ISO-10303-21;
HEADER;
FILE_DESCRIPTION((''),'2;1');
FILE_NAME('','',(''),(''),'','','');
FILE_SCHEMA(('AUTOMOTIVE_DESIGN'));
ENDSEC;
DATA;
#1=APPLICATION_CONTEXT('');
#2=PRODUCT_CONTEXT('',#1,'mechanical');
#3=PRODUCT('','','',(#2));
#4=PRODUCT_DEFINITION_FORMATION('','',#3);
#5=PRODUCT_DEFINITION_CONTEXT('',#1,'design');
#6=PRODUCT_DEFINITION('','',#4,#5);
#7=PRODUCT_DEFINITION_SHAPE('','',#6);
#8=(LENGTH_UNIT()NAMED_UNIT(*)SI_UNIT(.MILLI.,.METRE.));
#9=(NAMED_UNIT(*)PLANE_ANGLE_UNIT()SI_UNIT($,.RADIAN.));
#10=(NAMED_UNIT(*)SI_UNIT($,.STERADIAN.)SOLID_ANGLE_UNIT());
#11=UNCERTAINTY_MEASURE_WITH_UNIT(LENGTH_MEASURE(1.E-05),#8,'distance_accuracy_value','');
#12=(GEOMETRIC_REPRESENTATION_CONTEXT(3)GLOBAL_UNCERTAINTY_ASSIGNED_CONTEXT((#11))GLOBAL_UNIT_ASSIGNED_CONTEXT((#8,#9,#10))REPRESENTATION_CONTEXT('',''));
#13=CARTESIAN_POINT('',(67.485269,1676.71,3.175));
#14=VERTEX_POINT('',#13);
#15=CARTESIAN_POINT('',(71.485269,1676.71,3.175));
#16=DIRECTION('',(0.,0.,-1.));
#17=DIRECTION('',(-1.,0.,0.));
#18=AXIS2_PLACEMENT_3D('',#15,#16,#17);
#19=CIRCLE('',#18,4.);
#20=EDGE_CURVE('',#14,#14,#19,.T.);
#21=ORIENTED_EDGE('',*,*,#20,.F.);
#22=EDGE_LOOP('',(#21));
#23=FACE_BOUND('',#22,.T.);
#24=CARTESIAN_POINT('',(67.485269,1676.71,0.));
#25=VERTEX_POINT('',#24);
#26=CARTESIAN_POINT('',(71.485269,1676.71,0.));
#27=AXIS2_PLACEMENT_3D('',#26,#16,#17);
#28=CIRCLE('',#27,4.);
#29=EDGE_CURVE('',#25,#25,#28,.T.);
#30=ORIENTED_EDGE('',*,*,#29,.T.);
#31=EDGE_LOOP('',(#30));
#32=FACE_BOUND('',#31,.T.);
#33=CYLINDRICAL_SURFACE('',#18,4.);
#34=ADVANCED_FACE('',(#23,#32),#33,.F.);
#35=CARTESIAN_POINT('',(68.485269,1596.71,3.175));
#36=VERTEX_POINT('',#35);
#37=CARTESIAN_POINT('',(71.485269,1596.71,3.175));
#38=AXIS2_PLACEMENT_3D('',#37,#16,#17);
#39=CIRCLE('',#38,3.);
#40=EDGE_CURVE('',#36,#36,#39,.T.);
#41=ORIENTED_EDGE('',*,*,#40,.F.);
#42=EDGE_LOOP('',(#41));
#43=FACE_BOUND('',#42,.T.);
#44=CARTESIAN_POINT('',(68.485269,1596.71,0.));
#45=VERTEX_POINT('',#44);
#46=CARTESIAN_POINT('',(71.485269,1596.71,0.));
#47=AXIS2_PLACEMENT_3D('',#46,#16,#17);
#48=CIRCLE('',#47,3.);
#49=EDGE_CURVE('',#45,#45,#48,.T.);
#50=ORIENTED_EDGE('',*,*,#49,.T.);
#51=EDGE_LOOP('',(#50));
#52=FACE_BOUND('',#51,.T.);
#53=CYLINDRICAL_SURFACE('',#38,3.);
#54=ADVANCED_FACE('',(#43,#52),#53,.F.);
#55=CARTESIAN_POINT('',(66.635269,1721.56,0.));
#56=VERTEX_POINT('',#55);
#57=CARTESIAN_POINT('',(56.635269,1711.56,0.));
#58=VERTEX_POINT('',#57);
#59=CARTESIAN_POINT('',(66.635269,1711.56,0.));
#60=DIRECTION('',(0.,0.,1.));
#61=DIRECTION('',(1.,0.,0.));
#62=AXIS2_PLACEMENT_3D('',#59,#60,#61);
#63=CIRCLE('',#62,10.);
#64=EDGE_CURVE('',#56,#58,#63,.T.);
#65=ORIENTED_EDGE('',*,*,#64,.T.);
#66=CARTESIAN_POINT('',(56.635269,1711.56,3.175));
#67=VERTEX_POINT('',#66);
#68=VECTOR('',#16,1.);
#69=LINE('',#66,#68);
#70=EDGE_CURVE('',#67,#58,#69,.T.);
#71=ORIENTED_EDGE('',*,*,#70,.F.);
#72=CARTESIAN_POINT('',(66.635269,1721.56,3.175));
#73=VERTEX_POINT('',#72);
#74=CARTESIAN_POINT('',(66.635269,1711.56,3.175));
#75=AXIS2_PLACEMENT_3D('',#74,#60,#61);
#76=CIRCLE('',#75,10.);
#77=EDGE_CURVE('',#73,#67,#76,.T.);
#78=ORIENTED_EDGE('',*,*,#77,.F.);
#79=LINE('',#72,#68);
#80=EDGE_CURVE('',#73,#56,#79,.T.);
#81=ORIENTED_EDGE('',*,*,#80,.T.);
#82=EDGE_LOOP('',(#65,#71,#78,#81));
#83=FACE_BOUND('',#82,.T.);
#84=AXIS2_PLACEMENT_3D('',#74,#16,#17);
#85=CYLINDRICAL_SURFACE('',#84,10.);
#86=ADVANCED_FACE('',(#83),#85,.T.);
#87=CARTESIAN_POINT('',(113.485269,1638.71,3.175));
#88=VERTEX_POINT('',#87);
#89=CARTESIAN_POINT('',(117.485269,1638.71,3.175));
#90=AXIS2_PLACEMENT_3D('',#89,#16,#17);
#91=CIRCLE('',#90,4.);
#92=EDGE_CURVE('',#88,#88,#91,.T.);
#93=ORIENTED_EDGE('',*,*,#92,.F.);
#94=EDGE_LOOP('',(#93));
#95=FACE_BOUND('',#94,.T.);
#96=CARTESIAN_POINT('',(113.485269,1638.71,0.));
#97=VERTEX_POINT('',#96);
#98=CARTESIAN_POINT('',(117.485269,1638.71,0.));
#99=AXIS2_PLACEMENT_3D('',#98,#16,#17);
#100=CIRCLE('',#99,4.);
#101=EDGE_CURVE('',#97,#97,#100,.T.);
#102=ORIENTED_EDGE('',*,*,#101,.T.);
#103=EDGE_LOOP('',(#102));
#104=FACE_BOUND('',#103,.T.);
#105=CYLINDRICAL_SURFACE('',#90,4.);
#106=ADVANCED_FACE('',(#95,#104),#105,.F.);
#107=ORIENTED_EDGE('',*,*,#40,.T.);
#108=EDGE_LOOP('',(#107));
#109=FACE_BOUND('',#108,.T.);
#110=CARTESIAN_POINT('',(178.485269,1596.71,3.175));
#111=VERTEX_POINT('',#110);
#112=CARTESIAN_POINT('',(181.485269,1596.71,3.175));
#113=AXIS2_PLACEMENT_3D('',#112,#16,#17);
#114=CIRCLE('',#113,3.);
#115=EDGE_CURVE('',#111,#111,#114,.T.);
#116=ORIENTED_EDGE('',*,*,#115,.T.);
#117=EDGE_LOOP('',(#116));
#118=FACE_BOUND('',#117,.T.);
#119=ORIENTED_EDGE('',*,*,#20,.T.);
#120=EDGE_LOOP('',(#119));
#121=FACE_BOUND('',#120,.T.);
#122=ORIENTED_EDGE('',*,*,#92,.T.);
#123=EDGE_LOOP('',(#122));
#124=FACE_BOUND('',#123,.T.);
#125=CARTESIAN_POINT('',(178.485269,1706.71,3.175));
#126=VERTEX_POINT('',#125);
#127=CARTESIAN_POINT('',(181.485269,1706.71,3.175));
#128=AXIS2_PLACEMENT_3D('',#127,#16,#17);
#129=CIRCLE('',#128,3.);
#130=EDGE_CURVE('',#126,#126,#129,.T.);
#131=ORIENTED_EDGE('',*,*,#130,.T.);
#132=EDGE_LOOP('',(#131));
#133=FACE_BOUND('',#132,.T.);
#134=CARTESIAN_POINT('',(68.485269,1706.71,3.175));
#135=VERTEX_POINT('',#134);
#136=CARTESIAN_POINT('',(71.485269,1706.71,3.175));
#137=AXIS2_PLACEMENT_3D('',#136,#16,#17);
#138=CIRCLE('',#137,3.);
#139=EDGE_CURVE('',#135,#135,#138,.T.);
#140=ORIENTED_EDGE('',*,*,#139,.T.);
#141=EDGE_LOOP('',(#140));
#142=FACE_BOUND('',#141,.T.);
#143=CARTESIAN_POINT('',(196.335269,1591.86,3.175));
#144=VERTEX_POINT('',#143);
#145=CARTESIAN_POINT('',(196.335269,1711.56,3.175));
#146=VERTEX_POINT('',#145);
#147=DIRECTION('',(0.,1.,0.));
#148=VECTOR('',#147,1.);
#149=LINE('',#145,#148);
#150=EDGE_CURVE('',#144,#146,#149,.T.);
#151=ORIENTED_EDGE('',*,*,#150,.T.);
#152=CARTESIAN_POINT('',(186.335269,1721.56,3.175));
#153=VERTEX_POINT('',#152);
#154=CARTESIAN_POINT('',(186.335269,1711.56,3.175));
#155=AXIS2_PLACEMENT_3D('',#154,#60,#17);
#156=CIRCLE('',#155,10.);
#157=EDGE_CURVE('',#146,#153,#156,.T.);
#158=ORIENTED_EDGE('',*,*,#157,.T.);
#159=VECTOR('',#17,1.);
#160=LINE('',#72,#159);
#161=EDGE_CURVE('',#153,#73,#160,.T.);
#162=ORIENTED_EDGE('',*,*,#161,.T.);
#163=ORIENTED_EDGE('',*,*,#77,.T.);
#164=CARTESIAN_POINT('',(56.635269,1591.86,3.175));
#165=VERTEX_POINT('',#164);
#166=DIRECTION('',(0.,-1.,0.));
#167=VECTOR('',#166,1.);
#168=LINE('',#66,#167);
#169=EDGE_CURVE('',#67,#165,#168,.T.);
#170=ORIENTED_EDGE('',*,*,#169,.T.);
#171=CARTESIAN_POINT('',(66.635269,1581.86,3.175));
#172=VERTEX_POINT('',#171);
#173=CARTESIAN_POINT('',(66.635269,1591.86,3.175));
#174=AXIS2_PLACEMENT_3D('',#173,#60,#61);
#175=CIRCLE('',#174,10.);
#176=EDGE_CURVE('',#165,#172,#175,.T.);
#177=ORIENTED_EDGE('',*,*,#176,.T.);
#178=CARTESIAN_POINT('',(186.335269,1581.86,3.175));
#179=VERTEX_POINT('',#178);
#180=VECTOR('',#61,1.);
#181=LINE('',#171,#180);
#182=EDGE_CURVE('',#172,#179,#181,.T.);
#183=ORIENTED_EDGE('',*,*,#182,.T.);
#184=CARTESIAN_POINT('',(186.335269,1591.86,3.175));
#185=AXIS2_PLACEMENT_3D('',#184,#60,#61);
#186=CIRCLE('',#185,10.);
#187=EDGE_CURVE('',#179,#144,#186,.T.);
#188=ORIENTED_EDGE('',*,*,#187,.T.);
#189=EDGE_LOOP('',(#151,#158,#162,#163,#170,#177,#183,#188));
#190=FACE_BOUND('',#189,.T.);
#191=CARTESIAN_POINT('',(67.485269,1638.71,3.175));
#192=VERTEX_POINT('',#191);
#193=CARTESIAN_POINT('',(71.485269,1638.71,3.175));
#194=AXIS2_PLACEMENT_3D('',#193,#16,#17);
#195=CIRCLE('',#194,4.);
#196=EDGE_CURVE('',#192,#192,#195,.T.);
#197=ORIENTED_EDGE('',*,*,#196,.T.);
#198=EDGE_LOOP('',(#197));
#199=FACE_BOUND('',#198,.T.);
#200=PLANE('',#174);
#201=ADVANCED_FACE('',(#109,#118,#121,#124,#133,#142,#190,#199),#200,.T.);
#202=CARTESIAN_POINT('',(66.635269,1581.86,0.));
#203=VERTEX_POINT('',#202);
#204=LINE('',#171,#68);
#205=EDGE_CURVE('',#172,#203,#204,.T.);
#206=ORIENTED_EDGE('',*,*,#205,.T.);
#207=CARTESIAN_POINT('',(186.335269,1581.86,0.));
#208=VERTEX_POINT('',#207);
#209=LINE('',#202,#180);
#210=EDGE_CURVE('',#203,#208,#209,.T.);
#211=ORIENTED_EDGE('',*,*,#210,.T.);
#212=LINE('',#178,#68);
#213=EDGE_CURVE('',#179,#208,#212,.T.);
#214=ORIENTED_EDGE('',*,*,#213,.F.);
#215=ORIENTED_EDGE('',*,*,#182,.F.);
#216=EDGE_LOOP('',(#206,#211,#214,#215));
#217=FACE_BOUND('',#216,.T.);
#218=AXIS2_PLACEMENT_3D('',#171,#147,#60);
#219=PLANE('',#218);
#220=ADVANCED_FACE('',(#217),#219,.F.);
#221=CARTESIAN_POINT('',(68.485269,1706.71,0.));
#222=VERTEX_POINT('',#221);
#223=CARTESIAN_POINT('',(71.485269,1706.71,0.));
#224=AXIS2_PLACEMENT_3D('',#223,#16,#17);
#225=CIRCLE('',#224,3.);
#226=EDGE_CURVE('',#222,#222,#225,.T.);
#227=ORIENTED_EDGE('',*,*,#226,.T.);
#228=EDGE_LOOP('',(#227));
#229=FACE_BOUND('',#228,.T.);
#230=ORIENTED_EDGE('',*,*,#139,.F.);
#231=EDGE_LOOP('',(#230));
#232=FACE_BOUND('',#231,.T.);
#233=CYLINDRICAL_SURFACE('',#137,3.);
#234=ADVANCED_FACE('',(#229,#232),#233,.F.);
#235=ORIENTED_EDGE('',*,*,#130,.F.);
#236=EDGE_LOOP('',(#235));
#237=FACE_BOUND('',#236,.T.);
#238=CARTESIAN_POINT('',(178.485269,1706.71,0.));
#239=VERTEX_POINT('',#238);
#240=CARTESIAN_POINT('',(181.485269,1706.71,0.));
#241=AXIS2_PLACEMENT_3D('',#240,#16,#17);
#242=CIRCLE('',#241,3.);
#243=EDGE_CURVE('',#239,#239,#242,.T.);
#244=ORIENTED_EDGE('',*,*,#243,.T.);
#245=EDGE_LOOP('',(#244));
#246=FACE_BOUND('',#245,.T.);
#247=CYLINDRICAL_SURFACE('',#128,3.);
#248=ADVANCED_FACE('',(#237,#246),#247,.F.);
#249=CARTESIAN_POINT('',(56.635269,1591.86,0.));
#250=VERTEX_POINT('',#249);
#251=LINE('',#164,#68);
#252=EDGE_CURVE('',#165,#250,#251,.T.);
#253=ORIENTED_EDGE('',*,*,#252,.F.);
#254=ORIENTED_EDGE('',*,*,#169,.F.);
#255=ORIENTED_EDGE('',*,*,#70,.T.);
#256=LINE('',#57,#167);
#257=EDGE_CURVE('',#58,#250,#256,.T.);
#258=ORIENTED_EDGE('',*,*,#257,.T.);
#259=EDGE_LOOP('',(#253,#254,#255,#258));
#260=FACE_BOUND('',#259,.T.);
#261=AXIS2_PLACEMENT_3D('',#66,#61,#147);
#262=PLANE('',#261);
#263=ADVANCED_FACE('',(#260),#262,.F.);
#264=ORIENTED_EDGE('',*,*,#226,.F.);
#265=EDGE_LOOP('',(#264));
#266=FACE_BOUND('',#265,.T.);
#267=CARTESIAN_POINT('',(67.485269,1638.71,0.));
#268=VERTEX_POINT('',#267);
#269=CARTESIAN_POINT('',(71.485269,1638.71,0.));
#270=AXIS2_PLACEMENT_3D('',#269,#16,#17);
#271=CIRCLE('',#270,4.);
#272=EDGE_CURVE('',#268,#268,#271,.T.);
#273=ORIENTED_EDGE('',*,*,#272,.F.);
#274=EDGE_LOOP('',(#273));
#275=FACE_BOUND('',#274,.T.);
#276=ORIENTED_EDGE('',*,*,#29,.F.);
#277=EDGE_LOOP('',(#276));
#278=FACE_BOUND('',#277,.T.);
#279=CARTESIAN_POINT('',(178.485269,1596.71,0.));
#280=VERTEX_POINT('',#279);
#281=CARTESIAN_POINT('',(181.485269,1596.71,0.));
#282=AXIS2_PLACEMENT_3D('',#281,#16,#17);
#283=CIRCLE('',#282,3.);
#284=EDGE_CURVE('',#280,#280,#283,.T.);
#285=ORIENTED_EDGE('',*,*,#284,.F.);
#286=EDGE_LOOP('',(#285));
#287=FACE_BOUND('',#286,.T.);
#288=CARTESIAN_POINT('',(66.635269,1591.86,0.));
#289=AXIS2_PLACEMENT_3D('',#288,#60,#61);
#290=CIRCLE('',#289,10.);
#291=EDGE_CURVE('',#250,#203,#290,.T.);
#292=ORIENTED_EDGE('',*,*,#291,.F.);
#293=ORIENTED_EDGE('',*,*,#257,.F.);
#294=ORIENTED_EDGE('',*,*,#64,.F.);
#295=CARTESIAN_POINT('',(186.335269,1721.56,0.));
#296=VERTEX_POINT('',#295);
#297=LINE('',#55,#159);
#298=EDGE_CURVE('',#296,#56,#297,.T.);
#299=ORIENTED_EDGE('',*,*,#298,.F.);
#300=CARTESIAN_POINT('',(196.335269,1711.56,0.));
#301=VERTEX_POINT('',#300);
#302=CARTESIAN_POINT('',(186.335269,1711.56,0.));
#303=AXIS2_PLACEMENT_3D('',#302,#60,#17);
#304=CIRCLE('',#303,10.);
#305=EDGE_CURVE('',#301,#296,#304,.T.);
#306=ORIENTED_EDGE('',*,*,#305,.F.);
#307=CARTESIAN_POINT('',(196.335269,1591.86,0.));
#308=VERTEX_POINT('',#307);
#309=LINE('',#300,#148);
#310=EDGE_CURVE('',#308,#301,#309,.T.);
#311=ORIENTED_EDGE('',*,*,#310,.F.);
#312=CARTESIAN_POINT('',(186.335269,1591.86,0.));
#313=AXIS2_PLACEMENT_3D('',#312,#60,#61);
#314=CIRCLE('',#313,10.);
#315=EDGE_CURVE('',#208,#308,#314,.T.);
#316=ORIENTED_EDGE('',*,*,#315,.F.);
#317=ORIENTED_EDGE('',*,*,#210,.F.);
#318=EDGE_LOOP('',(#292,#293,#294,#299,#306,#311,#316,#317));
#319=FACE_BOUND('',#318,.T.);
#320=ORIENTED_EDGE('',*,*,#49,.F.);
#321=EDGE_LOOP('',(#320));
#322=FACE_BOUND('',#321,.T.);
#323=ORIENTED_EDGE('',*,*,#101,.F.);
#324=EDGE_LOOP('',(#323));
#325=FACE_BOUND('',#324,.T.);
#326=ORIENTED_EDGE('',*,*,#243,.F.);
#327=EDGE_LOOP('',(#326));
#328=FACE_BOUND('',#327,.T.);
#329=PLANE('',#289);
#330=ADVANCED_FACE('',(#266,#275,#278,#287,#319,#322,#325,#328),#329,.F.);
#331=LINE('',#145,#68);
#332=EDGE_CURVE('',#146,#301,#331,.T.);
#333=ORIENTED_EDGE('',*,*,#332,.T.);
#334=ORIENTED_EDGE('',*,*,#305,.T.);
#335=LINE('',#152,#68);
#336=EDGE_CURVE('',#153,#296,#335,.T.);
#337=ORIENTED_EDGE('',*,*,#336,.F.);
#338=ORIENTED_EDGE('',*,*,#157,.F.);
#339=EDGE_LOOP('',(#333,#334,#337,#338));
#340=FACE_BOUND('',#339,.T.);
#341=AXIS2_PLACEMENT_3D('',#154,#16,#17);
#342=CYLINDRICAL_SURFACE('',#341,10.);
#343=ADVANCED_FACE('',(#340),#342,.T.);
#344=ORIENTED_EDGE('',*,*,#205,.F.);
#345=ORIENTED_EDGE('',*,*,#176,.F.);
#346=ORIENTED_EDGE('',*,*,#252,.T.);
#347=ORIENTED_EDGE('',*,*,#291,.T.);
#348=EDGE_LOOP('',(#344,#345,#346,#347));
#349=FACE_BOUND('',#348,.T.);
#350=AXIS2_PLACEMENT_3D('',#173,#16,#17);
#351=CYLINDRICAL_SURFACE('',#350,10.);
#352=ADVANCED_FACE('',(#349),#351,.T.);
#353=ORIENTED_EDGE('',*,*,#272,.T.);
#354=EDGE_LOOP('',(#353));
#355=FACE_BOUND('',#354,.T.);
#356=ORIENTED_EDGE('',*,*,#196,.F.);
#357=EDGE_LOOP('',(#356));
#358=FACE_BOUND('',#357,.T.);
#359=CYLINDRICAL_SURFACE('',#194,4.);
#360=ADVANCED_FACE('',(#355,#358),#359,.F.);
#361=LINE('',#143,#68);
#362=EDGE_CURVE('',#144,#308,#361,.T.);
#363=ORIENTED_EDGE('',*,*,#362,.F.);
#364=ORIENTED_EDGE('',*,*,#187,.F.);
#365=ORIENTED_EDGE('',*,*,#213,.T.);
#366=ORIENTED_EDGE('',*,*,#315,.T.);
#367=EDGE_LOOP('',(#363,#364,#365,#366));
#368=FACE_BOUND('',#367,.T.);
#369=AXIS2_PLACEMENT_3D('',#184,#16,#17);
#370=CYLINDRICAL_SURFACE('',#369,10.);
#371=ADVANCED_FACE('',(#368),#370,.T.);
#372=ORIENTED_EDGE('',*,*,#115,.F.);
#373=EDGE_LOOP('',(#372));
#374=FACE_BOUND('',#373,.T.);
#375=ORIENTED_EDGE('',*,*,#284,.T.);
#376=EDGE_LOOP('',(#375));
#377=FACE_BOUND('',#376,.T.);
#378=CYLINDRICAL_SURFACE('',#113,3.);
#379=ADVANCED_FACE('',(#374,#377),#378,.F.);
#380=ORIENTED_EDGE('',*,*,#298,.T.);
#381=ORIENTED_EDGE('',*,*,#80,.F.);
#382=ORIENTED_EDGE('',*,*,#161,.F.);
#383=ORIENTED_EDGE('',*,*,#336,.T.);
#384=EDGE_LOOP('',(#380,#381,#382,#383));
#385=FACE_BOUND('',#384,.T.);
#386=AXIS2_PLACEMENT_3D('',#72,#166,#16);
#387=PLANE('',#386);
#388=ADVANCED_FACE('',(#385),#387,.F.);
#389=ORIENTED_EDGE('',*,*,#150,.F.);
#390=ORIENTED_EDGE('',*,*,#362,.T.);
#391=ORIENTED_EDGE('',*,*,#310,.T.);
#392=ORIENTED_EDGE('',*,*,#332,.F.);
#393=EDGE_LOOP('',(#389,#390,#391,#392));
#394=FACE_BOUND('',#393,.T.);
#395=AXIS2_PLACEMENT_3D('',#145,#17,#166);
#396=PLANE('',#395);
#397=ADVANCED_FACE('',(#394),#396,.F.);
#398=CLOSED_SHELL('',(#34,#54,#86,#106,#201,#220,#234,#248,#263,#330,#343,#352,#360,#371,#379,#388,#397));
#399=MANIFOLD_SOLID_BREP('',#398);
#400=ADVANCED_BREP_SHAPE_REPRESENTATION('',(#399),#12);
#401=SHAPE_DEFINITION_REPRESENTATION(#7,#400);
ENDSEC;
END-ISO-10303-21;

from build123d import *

# Parameters (mm, degrees)
BOSS_EXTRUDE1_DEPTH = 3.175
SKETCH2_R           = 4
SKETCH2_R_2         = 3
CUT_EXTRUDE1_DEPTH  = 1733.72226626


with BuildPart() as part:
    # Sketch1 → Boss-Extrude1 (new body)
    with BuildSketch(Plane.XY):
        with BuildLine():
            Line((66.635268781, 1721.56), (186.335268781, 1721.56))
            ThreePointArc((186.335268781, 1721.56), (193.406336593, 1718.631067812), (196.335268781, 1711.56))
            Line((196.335268781, 1711.56), (196.335268781, 1591.86))
            ThreePointArc((196.335268781, 1591.86), (193.406336593, 1584.788932188), (186.335268781, 1581.86))
            Line((186.335268781, 1581.86), (66.635268781, 1581.86))
            ThreePointArc((66.635268781, 1581.86), (59.564200969, 1584.788932188), (56.635268781, 1591.86))
            Line((56.635268781, 1591.86), (56.635268781, 1711.56))
            ThreePointArc((56.635268781, 1711.56), (59.564200969, 1718.631067812), (66.635268781, 1721.56))
        make_face()
    extrude(amount=BOSS_EXTRUDE1_DEPTH)

    # Sketch2 → Cut-Extrude1 (cut, through all)
    with BuildSketch(Plane(origin=(0, 0, 0), x_dir=(-1, 0, 0), z_dir=(0, 0, -1))):
        with Locations((-71.485268781, 1638.71)):
            Circle(SKETCH2_R)
        with Locations((-71.485268781, 1676.71)):
            Circle(SKETCH2_R)
        with Locations((-117.485268781, 1638.71)):
            Circle(SKETCH2_R)
        with Locations((-181.485268781, 1706.71)):
            Circle(SKETCH2_R_2)
        with Locations((-71.485268781, 1706.71)):
            Circle(SKETCH2_R_2)
        with Locations((-181.485268781, 1596.71)):
            Circle(SKETCH2_R_2)
        with Locations((-71.485268781, 1596.71)):
            Circle(SKETCH2_R_2)
    extrude(amount=-CUT_EXTRUDE1_DEPTH, mode=Mode.SUBTRACT)


solid = part.part
